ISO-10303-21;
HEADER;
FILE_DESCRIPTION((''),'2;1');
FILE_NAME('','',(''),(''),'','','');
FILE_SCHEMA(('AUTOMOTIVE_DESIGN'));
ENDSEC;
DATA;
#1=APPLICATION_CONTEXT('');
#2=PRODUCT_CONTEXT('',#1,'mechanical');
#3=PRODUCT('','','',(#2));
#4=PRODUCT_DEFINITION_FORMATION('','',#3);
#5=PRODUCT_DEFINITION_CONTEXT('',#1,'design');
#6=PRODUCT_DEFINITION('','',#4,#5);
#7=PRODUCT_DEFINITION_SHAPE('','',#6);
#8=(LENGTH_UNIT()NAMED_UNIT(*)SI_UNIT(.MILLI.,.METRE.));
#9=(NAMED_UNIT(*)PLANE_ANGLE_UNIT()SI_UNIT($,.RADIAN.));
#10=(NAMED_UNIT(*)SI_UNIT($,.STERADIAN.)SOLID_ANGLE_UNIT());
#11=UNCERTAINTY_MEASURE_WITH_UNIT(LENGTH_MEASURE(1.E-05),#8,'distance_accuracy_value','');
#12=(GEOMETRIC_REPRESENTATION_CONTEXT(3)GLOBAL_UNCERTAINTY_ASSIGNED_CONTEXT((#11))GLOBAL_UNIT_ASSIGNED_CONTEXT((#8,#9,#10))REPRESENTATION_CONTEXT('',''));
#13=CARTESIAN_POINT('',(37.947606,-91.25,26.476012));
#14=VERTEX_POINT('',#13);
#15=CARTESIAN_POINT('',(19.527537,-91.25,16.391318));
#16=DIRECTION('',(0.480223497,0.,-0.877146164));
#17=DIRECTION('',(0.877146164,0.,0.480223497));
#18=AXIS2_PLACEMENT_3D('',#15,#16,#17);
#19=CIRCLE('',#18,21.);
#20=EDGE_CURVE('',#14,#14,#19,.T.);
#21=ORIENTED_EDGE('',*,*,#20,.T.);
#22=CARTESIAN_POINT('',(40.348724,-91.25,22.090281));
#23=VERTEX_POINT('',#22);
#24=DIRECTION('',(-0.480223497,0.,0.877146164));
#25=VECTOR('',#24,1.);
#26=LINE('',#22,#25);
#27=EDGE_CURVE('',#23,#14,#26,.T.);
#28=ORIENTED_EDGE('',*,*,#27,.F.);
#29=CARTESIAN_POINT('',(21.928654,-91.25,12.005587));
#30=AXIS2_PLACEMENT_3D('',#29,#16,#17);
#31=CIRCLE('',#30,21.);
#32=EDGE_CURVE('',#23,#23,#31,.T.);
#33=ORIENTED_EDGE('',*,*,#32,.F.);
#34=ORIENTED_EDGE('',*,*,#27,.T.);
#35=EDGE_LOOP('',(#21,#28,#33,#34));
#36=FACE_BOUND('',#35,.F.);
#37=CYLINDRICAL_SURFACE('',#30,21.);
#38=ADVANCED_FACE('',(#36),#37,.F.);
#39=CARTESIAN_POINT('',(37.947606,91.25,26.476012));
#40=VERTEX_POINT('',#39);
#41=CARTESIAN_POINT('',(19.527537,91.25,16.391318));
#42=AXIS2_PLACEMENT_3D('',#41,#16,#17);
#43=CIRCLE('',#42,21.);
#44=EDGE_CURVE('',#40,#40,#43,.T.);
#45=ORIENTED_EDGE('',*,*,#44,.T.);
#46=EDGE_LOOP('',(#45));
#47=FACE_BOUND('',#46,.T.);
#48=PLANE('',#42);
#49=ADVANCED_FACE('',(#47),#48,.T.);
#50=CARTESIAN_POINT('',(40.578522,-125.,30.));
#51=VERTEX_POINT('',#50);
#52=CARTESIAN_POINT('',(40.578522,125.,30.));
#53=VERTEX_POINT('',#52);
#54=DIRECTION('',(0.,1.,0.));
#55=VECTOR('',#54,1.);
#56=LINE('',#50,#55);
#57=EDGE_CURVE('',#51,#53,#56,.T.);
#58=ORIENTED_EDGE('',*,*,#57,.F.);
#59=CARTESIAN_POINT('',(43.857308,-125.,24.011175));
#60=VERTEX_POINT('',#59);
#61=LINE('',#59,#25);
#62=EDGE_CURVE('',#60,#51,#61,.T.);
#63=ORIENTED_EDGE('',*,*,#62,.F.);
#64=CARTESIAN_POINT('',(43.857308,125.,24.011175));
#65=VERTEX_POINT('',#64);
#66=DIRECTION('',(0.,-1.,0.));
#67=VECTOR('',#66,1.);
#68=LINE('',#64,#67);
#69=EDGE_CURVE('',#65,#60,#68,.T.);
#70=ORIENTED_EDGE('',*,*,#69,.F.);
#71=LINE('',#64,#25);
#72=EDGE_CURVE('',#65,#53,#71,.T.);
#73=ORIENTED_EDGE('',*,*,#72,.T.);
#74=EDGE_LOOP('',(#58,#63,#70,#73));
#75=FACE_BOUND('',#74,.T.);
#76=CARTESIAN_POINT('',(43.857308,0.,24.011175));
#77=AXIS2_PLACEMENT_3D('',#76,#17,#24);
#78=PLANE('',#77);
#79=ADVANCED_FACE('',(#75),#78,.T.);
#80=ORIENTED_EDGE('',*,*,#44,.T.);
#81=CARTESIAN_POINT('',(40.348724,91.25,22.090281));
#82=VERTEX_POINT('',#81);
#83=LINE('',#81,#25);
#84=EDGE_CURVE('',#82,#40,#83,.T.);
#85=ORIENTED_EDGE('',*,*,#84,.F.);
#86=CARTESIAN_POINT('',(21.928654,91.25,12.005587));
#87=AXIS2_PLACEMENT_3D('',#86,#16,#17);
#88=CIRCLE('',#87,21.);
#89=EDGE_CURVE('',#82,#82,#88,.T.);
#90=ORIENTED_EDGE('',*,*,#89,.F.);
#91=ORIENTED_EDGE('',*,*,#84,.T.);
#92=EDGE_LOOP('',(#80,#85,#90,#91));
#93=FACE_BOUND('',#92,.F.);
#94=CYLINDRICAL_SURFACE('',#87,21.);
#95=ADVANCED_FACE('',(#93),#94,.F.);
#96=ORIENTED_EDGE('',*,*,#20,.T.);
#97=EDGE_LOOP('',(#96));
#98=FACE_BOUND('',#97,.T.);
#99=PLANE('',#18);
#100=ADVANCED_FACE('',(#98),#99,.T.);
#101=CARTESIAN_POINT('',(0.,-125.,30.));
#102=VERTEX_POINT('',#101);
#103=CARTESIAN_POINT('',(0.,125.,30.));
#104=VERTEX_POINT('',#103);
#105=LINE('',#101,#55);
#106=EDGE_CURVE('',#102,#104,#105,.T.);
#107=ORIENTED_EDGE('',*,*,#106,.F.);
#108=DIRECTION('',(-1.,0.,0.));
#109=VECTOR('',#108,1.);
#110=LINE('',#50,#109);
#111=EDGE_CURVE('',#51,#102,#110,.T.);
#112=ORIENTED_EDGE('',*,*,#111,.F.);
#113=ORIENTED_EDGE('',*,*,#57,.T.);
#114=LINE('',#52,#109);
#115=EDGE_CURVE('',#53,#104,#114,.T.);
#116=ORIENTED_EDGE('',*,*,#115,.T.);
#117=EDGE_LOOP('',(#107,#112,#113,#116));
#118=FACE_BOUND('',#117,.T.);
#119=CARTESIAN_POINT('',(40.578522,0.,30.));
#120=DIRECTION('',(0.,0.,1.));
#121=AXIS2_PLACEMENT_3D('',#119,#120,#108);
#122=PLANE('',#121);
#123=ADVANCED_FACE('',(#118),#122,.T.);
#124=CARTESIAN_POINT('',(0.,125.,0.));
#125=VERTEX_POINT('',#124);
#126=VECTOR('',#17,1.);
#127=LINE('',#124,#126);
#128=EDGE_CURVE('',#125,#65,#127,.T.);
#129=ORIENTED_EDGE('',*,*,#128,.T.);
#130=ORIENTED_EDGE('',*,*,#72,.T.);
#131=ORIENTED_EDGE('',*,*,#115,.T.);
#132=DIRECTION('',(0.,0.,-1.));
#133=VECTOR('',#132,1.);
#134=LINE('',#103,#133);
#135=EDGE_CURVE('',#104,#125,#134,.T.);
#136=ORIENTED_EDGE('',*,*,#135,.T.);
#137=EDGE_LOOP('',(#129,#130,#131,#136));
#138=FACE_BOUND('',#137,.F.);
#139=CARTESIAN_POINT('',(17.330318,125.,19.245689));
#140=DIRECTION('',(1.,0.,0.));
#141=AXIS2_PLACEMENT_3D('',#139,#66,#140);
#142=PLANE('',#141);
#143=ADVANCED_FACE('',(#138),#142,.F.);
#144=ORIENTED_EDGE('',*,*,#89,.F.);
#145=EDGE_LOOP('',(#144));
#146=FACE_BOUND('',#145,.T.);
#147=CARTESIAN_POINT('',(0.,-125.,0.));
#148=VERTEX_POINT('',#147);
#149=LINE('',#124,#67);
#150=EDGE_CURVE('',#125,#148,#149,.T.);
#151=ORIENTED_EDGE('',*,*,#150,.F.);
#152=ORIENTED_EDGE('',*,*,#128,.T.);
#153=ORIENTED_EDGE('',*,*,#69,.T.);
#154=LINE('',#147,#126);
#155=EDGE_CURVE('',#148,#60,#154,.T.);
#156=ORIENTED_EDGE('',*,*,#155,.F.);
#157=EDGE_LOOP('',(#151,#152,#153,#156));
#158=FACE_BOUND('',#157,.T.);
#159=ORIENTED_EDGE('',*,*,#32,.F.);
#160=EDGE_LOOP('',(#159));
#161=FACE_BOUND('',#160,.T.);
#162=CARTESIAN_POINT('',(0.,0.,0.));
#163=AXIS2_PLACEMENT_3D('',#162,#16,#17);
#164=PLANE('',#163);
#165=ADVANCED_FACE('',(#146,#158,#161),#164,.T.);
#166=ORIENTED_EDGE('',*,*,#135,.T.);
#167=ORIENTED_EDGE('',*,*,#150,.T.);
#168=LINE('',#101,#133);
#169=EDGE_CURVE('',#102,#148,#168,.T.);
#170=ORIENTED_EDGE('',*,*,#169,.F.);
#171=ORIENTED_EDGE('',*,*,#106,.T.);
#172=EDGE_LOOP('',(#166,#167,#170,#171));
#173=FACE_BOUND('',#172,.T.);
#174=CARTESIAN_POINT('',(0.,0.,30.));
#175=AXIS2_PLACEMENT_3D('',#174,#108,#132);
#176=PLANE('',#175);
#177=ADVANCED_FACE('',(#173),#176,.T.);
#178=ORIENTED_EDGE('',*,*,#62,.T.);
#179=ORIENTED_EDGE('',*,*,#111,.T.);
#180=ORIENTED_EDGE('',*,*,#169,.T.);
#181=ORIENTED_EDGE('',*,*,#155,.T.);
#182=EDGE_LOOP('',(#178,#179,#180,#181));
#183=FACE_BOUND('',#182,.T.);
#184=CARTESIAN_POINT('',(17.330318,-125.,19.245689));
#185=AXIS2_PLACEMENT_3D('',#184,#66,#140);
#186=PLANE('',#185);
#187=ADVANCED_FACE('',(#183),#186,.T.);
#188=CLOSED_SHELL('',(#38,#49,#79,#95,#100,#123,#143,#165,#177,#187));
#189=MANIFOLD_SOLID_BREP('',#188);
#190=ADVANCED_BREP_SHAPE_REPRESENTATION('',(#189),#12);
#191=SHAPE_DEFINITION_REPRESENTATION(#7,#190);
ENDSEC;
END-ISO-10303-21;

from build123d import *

# Parameters (mm, degrees)
F1_DEPTH = 125
F2_R     = 21
F3_DEPTH = 5


with BuildPart() as f1:
    # F0 (on Front) → F1 (new body, symmetric)
    with BuildSketch(Plane.XZ):
        Polygon((0, 30), (0, 0), (43.8573081853, 24.0111748722), (40.5785222002, 30), align=None)
    extrude(amount=F1_DEPTH, both=True)

    # F2 (on face) → F3 (cut)
    with BuildSketch(Plane(origin=(0, 0, 0), x_dir=(0.8771461637, 0, 0.4802234974), z_dir=(0.4802234974, 0, -0.8771461637))):
        with Locations((25, 91.25)):
            Circle(F2_R)
        with Locations((25, -91.25)):
            Circle(F2_R)
    extrude(amount=-F3_DEPTH, mode=Mode.SUBTRACT)


solid = f1.part
